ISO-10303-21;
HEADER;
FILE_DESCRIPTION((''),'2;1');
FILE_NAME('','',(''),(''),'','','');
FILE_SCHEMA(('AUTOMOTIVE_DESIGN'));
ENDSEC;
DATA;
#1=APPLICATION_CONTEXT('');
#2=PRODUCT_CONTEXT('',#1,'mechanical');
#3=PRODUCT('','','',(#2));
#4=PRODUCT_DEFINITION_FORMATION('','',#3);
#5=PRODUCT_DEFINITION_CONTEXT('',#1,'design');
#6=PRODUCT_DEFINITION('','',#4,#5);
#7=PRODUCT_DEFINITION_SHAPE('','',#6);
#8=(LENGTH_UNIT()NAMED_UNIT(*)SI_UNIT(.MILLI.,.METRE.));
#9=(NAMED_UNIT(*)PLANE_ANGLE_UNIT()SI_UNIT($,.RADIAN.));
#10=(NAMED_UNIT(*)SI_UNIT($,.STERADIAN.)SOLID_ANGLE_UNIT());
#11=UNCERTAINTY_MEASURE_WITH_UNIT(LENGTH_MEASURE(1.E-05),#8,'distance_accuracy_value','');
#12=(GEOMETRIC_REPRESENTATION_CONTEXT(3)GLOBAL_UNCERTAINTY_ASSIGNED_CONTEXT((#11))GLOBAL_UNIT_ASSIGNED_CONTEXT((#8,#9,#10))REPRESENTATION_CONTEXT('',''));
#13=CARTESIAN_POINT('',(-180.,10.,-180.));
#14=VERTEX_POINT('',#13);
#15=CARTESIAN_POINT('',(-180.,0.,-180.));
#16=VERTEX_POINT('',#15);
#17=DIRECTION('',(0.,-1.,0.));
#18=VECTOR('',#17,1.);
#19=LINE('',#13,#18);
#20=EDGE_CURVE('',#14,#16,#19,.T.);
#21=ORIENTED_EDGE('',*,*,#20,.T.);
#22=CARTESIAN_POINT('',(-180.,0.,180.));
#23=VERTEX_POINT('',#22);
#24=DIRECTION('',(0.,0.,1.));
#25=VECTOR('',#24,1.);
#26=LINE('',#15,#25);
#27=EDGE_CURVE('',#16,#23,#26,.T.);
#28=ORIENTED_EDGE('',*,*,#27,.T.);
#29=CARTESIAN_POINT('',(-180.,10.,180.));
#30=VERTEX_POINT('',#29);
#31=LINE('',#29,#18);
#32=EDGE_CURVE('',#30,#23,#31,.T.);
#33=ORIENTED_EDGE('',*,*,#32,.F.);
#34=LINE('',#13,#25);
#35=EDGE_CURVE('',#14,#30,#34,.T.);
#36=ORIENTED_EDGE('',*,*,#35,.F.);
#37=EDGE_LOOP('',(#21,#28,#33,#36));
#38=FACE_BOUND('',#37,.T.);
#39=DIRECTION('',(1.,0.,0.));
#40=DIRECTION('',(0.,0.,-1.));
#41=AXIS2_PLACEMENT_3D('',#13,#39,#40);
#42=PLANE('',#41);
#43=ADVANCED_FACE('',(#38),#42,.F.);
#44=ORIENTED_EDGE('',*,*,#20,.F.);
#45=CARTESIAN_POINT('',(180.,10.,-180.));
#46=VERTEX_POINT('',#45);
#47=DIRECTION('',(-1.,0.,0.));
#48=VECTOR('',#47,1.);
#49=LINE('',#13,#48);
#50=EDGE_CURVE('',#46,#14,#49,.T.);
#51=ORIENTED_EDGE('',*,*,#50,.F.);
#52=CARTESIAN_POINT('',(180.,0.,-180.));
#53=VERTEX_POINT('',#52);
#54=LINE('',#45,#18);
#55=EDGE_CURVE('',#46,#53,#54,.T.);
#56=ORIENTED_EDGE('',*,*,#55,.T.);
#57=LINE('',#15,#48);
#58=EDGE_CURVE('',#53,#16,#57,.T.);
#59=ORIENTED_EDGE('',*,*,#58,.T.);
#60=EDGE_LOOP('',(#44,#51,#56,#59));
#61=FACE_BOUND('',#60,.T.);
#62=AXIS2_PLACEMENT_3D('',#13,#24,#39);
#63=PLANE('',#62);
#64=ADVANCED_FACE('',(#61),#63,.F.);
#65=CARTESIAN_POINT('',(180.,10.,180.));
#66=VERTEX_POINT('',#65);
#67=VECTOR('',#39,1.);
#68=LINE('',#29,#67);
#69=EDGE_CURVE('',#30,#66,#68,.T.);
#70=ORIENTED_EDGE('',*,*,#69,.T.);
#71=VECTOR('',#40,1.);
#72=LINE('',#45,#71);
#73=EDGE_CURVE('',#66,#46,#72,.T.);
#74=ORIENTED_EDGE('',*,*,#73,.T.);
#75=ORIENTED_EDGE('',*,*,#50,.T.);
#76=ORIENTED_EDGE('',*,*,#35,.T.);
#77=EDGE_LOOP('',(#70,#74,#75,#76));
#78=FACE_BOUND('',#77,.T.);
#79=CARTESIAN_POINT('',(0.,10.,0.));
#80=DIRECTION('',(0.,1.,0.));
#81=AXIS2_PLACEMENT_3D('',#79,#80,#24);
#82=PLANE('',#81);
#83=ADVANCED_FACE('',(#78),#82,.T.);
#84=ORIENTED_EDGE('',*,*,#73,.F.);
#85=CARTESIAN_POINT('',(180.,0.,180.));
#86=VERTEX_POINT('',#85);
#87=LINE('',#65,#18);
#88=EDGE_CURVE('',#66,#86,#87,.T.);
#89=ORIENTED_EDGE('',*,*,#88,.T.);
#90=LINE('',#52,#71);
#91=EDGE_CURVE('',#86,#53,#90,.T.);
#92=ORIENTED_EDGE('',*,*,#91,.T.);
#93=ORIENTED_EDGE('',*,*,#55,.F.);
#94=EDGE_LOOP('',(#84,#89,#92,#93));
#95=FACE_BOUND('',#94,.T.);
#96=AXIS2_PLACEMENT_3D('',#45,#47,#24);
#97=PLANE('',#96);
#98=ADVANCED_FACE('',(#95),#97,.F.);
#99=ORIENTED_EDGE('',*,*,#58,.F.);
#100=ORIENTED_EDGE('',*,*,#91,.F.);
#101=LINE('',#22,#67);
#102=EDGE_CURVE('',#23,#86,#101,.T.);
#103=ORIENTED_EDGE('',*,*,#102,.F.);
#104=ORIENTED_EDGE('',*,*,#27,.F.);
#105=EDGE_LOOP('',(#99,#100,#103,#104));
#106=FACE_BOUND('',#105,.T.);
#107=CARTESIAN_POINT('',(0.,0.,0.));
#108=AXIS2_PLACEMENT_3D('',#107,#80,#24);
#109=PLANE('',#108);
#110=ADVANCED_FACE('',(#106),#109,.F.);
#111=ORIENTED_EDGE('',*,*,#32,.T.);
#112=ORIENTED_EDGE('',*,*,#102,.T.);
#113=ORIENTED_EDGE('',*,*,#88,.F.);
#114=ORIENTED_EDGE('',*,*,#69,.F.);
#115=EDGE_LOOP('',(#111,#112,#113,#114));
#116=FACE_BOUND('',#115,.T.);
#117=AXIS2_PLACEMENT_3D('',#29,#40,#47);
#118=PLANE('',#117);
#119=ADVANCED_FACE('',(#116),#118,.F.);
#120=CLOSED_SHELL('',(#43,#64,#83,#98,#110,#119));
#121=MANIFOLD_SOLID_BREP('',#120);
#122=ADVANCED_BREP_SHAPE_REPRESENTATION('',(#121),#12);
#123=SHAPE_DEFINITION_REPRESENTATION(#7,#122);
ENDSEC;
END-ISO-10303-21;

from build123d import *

# Parameters (mm, degrees)
SKETCH_1_W      = 360
SKETCH_1_H      = 360
EXTRUDE_1_DEPTH = 10


with BuildPart() as part:
    # Эскиз1 → Бобышка-Вытянуть1 (new body)
    with BuildSketch(Plane(origin=(0, 0, 0), x_dir=(1, 0, 0), z_dir=(0, 1, 0))):
        Rectangle(SKETCH_1_W, SKETCH_1_H)
    extrude(amount=EXTRUDE_1_DEPTH)


solid = part.part
